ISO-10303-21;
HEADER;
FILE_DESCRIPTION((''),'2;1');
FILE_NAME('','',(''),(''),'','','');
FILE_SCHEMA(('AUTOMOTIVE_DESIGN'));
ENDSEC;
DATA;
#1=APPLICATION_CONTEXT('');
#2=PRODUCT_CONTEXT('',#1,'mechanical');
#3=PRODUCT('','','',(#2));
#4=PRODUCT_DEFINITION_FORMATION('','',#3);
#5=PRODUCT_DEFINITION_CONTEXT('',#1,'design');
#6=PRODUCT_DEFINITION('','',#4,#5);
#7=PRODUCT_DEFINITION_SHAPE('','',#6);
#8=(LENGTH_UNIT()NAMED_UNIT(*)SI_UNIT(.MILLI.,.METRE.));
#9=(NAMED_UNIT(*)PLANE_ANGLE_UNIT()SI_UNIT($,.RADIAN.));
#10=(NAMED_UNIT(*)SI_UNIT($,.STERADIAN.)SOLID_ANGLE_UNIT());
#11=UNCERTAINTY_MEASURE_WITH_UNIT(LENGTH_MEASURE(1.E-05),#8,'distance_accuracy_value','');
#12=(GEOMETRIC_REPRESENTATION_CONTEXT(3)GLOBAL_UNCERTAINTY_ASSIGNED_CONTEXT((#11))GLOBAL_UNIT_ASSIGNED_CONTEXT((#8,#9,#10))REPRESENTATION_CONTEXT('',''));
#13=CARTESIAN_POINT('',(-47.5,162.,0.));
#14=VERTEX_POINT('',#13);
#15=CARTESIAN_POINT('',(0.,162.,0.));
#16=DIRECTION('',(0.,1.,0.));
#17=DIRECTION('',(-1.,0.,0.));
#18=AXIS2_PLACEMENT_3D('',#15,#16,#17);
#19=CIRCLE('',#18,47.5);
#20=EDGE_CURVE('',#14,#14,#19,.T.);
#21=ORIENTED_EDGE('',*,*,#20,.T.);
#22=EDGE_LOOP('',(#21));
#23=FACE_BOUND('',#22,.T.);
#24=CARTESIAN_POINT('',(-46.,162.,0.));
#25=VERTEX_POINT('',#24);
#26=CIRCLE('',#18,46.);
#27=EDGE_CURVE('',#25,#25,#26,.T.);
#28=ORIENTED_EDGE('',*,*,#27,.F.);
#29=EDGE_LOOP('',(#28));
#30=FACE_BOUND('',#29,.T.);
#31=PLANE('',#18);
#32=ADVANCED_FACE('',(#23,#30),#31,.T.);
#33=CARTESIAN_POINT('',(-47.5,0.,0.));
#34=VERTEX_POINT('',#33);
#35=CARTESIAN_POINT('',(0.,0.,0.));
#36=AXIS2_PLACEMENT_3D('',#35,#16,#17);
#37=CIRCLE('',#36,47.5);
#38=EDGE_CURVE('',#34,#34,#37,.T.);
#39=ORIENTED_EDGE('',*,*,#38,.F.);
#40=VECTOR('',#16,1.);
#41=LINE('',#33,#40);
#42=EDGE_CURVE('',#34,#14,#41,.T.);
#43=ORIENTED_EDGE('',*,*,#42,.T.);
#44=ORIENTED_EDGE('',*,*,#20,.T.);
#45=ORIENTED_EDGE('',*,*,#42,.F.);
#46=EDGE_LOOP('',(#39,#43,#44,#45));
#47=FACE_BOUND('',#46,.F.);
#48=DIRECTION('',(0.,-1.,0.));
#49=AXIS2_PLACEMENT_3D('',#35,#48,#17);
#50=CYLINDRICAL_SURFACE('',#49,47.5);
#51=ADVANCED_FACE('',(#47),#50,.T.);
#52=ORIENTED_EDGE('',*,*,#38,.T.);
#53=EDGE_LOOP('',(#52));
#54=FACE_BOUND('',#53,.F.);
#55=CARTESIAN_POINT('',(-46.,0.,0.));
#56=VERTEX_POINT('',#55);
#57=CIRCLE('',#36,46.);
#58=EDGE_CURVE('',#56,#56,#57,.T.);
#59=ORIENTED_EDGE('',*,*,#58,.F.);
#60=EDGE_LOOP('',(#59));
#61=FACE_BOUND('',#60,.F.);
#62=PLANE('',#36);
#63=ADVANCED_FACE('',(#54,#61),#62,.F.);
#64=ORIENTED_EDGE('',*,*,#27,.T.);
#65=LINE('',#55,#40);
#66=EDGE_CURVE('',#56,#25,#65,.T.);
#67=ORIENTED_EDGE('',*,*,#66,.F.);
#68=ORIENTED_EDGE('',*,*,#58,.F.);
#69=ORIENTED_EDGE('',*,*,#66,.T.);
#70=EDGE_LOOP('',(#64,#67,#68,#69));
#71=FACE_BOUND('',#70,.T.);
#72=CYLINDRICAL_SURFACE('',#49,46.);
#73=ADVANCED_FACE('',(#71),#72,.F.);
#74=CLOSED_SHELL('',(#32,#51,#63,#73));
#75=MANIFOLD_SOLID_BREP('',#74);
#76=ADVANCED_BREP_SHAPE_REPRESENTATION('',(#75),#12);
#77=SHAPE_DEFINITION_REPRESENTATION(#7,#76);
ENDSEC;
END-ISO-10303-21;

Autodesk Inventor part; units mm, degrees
ref_plane "YZ Plane" through (0, 0, 0) normal (1, 0, 0) x (0, 1, 0)
ref_plane "XZ Plane" through (0, 0, 0) normal (0, 1, 0) x (-1, 0, 0)
ref_plane "XY Plane" through (0, 0, 0) normal (0, 0, 1) x (1, 0, 0)
sketch "Skizze1" plane through (0, 0, 0) normal (0, 1, 0) x (-1, 0, 0)
  circle A0 centre (0, 0) radius 47.5
  circle A1 centre (0, 0) radius 46
  dimension "d0" = 95
  dimension "d1" = 92
extrude "Extrusion1" add sketch "Skizze1" along normal blind 162
properties part number "11" material "Phenolharz"
